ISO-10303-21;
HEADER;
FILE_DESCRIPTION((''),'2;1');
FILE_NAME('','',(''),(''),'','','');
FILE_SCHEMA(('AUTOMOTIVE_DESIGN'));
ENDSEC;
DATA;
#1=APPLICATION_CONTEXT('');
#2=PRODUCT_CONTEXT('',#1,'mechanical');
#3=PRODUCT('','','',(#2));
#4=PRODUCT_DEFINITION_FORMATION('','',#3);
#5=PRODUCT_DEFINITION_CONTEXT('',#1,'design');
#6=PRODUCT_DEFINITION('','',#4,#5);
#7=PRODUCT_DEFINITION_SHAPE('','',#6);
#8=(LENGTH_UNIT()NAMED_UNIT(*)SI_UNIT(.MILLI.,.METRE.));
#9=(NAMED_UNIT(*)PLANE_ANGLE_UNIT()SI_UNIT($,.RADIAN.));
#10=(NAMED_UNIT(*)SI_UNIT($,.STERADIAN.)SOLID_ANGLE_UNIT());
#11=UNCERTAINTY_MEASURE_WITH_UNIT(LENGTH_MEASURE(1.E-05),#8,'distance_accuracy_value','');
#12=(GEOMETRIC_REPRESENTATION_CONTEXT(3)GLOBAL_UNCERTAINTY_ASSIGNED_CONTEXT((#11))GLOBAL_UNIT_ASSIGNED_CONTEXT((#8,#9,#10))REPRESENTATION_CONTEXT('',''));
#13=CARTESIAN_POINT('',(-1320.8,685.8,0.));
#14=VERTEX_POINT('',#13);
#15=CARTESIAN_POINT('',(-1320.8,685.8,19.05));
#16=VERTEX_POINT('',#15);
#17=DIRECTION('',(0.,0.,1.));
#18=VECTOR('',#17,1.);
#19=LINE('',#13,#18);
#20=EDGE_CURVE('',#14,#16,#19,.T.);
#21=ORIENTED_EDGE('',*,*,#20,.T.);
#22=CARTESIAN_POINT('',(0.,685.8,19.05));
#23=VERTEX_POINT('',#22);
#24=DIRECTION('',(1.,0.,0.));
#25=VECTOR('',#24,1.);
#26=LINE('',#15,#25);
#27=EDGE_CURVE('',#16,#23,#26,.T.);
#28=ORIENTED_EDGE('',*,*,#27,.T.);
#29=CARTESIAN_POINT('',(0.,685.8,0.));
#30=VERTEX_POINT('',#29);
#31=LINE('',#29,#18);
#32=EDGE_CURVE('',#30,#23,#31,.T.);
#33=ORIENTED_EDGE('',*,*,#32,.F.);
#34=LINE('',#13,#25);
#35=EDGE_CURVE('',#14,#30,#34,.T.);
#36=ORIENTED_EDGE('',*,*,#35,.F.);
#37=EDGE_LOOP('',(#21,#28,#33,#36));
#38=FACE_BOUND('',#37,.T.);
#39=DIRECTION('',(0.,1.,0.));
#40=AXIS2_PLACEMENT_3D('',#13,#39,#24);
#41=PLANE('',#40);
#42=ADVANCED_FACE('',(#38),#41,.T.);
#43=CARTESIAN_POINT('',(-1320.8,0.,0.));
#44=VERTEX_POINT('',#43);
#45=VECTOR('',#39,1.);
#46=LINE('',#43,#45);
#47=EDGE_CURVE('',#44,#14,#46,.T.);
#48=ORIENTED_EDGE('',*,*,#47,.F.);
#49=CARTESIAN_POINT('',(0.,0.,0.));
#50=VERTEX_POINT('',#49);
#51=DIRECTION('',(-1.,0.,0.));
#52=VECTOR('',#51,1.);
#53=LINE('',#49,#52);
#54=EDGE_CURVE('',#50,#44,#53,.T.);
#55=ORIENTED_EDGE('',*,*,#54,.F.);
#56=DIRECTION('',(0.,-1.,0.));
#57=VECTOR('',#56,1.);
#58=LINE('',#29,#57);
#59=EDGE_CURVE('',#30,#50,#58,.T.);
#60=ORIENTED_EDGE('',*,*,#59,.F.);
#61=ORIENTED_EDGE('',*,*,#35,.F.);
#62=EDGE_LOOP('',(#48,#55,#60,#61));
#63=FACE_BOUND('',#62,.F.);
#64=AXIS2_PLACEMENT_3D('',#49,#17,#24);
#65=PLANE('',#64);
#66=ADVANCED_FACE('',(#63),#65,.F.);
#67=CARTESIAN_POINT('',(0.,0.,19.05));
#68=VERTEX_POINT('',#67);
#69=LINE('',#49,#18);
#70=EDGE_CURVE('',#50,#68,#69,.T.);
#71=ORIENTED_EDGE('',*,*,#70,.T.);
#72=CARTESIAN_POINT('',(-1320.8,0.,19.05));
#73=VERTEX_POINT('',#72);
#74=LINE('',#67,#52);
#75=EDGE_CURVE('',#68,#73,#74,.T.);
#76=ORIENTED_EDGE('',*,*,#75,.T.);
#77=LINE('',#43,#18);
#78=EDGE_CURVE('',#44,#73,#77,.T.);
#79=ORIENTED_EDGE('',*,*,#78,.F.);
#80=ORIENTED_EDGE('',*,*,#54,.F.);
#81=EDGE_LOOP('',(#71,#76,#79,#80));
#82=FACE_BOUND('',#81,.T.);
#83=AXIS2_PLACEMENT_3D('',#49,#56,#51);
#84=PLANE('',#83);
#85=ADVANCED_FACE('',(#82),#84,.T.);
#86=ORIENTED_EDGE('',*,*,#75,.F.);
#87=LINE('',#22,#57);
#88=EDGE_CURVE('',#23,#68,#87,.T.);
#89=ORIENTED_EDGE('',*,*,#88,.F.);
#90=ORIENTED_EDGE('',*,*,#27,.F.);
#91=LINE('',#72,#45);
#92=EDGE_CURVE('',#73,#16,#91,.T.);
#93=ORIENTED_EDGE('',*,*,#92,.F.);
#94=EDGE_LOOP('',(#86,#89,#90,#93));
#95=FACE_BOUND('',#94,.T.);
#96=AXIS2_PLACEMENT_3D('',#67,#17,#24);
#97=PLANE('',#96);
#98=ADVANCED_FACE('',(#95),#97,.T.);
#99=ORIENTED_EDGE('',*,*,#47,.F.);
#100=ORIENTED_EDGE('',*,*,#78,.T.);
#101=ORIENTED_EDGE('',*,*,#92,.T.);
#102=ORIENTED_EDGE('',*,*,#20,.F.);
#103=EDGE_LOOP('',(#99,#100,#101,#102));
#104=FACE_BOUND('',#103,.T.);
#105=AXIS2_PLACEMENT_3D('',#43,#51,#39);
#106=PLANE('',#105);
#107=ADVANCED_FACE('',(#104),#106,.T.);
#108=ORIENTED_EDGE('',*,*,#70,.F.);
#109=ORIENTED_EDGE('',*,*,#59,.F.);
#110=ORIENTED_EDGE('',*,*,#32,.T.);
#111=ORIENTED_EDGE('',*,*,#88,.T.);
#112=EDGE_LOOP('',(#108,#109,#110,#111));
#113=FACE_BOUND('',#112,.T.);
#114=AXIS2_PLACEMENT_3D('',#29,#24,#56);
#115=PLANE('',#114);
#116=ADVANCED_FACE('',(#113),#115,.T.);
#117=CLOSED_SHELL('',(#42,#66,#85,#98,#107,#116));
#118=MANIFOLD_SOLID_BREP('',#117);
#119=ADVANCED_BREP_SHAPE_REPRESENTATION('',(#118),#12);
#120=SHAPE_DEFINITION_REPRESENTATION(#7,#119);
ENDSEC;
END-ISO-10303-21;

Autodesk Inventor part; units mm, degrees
ref_plane "YZ Plane" through (0, 0, 0) normal (1, 0, 0) x (0, 1, 0)
ref_plane "XZ Plane" through (0, 0, 0) normal (0, 1, 0) x (-1, 0, 0)
ref_plane "XY Plane" through (0, 0, 0) normal (0, 0, 1) x (1, 0, 0)
sketch "Sketch1" plane through (0, 0, 0) normal (0, 0, 1) x (1, 0, 0)
  line L0 (0, 0) -> (-1320.8, 0)
  line L1 (-1320.8, 0) -> (-1320.8, 685.8)
  line L2 (-1320.8, 685.8) -> (0, 685.8)
  line L3 (0, 685.8) -> (0, 0)
  dimension "d0" = 1320.8
  dimension "d1" = 685.8
extrude "Extrusion1" add sketch "Sketch1" along normal blind 19.05
properties part number "saddle cart top" material "Wood (Birch)"
